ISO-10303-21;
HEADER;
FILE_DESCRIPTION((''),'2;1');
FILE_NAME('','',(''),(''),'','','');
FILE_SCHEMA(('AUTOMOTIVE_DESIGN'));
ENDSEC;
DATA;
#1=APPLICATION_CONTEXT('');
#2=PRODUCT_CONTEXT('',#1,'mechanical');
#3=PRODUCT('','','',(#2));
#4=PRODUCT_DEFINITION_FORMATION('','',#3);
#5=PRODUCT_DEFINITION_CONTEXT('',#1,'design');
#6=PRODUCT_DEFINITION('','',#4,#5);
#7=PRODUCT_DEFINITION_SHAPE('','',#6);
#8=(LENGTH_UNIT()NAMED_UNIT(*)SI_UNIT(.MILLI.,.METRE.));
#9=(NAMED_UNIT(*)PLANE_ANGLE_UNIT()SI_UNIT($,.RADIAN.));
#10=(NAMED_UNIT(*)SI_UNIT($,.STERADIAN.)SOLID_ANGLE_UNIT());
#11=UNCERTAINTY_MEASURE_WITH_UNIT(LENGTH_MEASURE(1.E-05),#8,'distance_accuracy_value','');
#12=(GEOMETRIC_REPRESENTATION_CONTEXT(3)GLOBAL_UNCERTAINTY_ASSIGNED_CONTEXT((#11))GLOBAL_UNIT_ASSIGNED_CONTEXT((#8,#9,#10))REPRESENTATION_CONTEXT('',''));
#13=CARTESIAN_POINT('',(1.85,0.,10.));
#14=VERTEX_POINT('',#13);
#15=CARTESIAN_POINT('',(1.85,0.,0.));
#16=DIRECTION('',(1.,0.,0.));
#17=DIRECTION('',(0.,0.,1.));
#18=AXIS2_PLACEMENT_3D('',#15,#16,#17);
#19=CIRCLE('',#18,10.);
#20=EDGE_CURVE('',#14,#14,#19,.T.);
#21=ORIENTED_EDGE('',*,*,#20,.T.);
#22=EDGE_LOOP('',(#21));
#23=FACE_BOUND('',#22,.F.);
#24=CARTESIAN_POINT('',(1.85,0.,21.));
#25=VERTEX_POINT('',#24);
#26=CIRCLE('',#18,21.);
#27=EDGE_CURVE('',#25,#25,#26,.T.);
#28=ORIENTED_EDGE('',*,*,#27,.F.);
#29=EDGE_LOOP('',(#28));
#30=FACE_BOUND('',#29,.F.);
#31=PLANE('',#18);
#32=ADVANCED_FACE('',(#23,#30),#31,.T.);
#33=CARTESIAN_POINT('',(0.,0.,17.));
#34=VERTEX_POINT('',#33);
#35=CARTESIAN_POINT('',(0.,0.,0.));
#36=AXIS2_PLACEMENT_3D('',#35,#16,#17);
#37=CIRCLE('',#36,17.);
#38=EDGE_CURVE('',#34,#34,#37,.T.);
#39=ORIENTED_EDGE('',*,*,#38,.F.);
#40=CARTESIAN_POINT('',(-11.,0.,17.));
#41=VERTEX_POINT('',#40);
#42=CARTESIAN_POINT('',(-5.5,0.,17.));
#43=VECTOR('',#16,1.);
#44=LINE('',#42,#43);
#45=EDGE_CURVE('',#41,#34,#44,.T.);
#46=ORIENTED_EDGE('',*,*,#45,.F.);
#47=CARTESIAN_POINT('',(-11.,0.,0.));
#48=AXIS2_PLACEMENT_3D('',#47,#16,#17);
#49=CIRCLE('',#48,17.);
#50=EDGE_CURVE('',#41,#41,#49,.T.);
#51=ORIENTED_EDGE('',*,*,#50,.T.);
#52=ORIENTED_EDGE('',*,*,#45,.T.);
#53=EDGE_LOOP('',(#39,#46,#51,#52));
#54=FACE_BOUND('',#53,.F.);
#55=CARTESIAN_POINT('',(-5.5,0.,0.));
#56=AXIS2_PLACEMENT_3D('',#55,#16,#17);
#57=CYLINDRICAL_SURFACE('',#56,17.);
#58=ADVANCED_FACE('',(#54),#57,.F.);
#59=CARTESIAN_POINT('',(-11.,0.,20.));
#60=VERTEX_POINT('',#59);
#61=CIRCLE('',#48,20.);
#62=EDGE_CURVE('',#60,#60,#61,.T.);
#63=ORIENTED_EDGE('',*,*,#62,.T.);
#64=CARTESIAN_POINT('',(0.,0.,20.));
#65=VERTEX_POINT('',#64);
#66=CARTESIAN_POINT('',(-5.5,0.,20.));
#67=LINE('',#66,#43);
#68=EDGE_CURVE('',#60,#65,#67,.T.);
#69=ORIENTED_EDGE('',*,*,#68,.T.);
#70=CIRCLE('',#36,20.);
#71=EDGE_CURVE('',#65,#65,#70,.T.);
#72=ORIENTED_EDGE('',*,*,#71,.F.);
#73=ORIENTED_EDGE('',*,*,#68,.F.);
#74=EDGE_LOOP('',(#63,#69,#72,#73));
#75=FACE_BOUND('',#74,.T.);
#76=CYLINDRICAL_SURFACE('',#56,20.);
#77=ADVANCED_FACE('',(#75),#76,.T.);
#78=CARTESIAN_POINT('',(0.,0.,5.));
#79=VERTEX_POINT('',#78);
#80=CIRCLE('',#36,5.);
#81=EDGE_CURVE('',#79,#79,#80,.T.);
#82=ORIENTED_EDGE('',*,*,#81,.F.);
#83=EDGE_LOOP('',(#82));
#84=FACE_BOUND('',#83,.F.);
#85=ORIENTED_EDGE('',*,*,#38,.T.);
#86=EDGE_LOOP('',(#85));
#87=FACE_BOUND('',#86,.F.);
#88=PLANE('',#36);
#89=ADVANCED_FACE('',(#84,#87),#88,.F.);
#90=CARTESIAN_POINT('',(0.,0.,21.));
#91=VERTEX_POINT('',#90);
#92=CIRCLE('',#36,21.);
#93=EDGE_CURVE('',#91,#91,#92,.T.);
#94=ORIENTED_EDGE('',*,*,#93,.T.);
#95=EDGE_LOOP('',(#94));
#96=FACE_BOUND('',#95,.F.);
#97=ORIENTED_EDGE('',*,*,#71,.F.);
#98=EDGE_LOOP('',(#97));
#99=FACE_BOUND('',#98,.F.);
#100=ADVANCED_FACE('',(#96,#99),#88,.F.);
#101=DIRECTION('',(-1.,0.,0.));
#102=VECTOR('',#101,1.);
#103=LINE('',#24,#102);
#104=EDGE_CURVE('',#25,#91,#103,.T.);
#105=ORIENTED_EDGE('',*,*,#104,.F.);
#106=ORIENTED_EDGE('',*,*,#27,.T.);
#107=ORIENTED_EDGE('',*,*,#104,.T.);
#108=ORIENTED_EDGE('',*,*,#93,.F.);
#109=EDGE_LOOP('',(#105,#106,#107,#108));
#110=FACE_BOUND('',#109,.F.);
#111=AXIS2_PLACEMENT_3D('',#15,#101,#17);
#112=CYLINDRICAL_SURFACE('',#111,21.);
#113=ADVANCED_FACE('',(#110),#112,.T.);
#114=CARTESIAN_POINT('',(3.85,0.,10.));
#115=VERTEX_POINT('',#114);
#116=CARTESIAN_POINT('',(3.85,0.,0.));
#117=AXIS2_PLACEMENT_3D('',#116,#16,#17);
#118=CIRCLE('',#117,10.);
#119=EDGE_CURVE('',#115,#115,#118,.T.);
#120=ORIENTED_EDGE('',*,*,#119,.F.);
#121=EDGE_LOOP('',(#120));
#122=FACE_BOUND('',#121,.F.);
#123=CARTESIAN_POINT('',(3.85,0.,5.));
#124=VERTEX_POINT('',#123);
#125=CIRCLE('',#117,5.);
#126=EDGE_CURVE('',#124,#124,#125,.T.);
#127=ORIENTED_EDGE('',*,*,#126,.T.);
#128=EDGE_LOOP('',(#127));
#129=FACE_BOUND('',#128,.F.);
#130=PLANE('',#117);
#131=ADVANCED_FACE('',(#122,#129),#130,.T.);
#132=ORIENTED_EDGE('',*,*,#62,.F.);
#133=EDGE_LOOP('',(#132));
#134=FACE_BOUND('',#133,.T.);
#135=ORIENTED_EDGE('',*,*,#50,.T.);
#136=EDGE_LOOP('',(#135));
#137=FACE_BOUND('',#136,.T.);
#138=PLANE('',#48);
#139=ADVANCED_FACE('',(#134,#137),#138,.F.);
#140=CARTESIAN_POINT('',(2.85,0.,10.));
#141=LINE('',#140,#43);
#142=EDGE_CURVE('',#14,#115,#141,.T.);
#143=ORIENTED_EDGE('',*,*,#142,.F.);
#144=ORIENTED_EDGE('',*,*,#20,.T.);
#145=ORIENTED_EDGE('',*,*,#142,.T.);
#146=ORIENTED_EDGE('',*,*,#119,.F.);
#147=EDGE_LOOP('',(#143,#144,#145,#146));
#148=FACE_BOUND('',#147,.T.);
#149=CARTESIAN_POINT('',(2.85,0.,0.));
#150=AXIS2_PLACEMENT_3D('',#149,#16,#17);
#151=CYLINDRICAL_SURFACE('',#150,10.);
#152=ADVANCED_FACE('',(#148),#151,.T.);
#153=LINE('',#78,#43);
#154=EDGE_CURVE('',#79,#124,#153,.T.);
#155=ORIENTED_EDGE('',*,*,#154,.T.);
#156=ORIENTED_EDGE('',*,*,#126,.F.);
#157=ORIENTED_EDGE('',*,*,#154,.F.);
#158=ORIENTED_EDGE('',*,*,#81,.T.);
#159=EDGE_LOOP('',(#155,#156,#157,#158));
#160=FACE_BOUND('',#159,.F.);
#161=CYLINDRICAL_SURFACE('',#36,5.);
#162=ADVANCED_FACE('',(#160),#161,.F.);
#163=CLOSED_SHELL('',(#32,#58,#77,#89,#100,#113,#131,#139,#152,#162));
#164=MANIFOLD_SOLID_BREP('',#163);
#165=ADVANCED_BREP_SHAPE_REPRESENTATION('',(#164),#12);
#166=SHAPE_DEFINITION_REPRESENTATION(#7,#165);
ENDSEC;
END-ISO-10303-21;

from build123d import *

# Parameters (mm, degrees)
F0_W   = 11
F0_H   = 3
F0_W_2 = 2
F0_H_2 = 5


with BuildPart() as f1:
    # F0 (on Front) → F1 (revolve)
    with BuildSketch(Plane.XZ):
        with Locations((-5.5, 18.5)):
            Rectangle(F0_W, F0_H)
        Polygon((0, 17), (0, 5), (1.85, 5), (1.85, 10), (1.85, 21), (0, 21), (0, 20), align=None)
        with Locations((2.85, 7.5)):
            Rectangle(F0_W_2, F0_H_2)
    revolve(axis=Axis((4.390737, 0, 0), (1, 0, 0)))


solid = f1.part
